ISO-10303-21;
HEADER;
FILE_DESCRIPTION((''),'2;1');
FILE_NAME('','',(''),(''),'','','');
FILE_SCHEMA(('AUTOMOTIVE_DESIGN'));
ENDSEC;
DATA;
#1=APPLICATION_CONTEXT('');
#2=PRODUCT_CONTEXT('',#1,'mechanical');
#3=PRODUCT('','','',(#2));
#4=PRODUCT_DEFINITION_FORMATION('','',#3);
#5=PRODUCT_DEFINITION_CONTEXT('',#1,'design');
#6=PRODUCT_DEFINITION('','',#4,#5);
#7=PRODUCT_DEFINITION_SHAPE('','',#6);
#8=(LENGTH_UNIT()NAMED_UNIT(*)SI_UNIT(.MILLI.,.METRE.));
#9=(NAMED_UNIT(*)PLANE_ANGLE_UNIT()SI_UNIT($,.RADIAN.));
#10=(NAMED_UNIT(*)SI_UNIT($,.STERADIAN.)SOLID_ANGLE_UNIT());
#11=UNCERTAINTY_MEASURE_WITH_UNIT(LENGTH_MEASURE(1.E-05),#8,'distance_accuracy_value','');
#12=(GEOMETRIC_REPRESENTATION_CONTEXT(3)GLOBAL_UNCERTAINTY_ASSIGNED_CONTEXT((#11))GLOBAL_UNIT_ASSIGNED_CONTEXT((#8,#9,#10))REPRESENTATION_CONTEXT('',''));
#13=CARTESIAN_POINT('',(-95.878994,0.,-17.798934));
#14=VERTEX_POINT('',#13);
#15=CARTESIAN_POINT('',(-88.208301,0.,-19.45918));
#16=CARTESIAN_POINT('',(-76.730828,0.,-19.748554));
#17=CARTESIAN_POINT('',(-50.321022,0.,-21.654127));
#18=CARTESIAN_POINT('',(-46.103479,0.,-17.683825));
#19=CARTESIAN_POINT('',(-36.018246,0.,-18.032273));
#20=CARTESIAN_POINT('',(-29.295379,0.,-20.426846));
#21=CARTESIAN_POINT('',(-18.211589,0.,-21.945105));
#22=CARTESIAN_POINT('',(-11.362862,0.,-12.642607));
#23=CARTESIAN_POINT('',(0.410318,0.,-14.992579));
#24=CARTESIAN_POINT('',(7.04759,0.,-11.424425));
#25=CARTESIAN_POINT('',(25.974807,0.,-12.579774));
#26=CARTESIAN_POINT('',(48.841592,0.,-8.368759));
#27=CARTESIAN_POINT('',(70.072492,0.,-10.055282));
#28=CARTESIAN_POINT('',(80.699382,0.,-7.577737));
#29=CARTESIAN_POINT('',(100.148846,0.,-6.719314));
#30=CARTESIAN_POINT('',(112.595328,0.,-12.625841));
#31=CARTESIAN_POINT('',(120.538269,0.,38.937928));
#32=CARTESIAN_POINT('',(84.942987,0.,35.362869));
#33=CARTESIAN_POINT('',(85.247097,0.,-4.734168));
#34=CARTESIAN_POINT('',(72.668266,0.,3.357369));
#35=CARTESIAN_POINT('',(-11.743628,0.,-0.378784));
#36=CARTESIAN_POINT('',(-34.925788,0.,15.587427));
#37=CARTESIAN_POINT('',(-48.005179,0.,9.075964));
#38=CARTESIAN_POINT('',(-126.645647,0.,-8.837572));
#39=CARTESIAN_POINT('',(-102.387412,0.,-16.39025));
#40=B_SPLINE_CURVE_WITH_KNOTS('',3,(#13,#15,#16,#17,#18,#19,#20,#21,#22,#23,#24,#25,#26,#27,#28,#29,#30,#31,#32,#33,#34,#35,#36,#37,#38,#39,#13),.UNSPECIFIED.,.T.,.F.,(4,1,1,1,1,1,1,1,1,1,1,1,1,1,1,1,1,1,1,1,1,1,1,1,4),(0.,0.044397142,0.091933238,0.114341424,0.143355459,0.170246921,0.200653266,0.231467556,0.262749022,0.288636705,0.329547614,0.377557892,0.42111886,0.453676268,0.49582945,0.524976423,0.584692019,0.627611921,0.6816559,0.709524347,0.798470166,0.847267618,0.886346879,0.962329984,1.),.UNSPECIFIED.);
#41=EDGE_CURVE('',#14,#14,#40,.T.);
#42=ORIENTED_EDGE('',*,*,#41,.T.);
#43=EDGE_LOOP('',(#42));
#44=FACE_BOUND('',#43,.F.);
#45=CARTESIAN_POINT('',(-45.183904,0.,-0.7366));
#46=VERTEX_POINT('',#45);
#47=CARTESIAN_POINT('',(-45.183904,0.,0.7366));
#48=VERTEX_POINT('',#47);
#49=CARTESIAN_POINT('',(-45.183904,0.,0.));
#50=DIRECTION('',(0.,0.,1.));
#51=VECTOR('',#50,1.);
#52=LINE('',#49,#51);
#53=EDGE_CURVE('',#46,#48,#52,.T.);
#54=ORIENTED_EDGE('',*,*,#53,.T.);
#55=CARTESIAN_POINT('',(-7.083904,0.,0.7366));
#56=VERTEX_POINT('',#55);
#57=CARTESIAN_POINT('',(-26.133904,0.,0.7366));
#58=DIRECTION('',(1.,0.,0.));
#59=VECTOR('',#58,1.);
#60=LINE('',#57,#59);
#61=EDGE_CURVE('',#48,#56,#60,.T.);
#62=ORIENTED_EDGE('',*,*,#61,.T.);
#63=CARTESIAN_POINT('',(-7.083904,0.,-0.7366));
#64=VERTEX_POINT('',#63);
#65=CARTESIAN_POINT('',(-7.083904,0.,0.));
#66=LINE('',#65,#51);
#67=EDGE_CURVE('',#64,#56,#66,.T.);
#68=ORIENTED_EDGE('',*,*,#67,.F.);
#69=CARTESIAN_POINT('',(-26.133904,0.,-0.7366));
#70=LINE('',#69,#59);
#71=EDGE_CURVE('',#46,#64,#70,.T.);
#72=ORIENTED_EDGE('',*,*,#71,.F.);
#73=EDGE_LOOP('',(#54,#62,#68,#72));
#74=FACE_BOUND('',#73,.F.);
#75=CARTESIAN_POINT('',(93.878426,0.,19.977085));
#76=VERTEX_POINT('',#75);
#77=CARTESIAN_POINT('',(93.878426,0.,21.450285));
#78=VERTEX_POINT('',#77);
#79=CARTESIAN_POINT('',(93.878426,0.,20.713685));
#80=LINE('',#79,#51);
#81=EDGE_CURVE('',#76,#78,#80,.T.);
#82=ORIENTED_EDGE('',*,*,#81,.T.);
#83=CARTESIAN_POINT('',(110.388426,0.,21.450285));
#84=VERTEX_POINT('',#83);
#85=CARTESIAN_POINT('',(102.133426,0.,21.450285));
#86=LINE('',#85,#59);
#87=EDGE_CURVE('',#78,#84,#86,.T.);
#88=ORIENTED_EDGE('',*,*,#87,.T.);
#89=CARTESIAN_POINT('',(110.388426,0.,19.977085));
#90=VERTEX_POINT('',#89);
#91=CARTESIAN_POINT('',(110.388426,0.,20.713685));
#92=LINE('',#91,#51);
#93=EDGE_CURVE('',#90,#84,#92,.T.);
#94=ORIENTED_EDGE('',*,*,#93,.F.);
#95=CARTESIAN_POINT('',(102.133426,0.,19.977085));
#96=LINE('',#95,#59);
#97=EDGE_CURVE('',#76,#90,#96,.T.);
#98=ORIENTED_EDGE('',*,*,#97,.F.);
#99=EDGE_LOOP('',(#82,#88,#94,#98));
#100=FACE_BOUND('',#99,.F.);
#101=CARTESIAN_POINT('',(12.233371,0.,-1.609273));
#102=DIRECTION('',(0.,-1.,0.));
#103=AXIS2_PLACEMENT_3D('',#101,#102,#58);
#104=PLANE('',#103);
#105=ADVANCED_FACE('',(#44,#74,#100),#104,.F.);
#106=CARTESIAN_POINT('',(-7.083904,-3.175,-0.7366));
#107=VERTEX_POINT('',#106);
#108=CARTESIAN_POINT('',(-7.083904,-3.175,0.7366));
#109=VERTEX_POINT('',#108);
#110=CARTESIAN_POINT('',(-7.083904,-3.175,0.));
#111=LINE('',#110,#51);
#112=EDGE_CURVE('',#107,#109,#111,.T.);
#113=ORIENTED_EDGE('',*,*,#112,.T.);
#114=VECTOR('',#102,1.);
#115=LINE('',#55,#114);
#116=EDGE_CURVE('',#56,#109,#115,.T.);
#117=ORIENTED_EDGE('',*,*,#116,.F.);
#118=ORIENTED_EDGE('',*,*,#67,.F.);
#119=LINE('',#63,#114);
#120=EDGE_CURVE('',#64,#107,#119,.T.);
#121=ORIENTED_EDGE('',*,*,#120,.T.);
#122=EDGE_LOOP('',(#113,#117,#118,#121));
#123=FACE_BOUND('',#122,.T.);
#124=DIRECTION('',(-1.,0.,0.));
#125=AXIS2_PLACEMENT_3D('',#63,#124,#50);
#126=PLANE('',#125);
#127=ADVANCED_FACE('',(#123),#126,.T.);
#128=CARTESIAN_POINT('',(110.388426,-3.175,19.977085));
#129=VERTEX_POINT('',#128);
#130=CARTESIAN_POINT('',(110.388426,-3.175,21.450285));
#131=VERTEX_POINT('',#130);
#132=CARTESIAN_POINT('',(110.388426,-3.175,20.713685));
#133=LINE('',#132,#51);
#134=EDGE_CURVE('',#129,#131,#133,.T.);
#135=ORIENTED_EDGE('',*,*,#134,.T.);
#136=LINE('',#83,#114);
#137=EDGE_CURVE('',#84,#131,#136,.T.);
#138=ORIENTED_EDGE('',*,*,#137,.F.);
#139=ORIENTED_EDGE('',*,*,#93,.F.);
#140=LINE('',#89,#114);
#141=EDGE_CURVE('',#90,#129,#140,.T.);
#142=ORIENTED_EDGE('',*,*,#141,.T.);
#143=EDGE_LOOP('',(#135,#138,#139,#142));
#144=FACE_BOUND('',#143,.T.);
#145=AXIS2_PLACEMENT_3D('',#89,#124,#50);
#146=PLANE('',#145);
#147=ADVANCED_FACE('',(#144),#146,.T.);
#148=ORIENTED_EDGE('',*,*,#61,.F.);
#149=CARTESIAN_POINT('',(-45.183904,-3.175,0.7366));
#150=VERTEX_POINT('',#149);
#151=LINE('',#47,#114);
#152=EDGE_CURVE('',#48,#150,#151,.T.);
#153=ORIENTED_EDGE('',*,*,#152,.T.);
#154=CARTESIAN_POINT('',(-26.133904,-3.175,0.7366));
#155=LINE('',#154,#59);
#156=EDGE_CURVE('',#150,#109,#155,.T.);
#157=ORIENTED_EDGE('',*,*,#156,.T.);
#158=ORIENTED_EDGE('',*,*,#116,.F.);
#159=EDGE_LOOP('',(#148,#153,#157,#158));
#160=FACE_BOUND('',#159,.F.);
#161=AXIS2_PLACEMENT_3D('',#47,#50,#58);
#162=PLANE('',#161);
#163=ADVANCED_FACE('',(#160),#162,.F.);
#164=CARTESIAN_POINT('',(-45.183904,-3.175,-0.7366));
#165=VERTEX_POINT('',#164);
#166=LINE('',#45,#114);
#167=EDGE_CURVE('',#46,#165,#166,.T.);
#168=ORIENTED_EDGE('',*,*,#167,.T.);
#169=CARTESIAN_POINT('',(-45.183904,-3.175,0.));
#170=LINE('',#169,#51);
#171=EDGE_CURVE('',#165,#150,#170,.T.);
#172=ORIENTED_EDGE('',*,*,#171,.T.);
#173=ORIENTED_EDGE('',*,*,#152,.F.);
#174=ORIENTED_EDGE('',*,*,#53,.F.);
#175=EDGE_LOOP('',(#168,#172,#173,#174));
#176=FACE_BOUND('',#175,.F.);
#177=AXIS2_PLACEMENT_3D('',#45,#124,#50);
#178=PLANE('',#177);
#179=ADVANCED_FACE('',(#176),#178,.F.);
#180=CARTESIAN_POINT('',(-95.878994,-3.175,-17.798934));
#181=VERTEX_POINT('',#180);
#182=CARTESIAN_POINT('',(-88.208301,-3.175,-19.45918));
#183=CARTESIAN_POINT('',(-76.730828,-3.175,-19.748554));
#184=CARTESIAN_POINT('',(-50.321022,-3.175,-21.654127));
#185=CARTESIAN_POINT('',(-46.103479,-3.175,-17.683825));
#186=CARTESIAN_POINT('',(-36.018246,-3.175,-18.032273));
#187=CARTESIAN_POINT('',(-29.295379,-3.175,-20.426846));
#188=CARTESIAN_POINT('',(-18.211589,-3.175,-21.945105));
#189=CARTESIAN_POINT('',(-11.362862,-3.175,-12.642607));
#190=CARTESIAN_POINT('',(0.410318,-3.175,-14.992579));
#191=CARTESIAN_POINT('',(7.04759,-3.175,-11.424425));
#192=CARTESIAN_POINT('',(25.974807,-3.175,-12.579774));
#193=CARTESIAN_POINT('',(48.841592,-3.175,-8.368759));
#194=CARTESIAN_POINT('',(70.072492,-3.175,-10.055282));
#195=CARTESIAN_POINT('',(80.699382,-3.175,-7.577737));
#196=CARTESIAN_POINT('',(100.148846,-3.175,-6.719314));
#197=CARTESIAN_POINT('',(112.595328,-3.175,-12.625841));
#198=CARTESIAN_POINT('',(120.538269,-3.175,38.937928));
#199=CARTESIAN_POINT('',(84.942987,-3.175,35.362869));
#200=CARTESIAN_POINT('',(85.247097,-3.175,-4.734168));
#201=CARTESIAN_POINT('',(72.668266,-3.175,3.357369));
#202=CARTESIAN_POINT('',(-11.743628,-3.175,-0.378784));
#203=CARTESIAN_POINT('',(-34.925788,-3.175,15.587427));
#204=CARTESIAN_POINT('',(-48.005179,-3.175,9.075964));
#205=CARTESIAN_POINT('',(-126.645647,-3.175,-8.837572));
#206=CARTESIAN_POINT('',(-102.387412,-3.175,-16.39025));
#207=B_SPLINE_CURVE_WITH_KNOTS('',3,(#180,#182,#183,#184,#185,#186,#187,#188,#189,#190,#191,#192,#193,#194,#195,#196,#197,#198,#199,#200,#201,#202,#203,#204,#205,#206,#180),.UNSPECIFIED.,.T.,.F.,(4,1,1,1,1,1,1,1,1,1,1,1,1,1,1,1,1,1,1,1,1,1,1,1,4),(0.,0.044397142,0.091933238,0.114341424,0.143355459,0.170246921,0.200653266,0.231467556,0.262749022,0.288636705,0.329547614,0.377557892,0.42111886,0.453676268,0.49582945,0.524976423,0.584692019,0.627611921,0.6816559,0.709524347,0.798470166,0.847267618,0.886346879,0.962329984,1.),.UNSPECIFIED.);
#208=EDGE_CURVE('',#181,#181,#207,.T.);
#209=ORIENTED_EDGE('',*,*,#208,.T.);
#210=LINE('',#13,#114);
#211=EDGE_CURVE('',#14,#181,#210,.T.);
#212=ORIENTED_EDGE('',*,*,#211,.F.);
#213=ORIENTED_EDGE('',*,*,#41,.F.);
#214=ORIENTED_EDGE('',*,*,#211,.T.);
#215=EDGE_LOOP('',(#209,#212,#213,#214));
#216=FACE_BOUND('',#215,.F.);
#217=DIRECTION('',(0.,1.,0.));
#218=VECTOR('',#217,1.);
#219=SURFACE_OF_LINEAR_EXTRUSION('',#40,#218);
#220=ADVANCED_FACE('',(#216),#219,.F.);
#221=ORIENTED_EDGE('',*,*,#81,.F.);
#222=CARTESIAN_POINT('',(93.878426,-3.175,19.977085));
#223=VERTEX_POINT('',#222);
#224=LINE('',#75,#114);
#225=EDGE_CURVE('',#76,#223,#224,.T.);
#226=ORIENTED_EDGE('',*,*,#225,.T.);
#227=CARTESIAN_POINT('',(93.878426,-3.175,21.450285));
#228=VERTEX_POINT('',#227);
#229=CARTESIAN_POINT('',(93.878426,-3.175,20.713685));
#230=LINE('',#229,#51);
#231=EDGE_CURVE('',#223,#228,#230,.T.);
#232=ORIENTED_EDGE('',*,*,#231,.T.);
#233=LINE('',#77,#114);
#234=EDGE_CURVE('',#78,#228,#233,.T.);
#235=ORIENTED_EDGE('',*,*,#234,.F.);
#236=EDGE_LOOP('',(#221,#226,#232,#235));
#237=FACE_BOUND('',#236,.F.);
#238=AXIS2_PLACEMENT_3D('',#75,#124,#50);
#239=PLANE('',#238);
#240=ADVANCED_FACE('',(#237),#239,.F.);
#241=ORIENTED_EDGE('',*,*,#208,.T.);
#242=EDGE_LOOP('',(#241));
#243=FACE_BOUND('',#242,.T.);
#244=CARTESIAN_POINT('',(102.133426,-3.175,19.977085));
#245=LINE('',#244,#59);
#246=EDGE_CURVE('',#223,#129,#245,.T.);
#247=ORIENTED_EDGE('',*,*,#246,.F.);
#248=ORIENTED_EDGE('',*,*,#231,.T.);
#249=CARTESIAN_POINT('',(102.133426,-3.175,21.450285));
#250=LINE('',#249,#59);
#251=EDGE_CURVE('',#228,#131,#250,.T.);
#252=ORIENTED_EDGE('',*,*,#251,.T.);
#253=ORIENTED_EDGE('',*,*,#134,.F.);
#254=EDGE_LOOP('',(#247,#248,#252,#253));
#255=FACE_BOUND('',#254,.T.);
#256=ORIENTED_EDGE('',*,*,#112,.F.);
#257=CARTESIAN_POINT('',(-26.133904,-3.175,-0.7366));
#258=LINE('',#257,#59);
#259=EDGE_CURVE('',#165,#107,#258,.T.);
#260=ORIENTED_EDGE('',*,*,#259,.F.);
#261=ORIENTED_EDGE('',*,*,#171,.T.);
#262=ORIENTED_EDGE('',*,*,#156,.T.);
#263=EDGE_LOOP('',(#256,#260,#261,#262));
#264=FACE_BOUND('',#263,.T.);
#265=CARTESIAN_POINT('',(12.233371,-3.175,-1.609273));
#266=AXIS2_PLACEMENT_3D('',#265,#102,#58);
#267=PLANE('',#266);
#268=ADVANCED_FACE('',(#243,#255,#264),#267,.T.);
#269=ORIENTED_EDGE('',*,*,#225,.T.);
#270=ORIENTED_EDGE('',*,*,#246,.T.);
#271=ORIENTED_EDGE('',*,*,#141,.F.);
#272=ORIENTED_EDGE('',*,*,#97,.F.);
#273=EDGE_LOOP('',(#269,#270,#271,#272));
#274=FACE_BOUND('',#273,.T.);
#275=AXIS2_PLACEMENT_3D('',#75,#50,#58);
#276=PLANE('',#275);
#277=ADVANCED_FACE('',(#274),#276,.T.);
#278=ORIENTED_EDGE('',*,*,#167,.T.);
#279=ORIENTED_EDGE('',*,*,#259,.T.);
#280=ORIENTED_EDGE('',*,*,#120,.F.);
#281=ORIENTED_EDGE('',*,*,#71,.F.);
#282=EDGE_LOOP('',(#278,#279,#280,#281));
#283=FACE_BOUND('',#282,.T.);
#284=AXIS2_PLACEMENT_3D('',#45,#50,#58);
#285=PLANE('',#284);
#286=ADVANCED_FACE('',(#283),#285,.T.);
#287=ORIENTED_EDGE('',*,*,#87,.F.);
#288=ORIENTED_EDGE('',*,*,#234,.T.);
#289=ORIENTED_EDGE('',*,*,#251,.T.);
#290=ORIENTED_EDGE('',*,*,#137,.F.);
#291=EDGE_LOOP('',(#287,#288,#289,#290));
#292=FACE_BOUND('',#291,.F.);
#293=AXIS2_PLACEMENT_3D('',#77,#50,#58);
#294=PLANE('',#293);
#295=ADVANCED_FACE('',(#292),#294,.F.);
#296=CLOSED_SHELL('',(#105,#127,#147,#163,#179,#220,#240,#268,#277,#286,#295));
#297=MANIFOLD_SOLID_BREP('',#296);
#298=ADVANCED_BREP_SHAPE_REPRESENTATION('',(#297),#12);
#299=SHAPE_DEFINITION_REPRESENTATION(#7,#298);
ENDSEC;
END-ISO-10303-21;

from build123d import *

# Parameters (mm, degrees)
F0_W     = 38.1
F0_H     = 1.4732
F0_W_2   = 16.51
F1_DEPTH = 3.175


with BuildPart() as f1:
    # F0 (on Front) → F1 (new body)
    with BuildSketch(Plane.XZ):
        with BuildLine():
            add(Edge.make_bspline(
                [(-95.8789940291, -17.7989335942), (-88.2083005241, -19.4591799862), (-76.7308278889, -19.7485540794), (-50.3210223847, -21.6541268348), (-46.1034789861, -17.6838253002), (-36.0182455959, -18.0322733491), (-29.2953794347, -20.4268464079), (-18.2115889807, -21.9451048679), (-11.3628619059, -12.6426069021), (0.4103184182, -14.9925791357), (7.0475897195, -11.4244245279), (25.9748070987, -12.5797742757), (48.8415920377, -8.3687594962), (70.0724917401, -10.0552821163), (80.6993824359, -7.5777373183), (100.148846367, -6.7193144488), (112.5953280133, -12.6258405921), (120.5382687393, 38.9379284037), (84.9429866843, 35.3628691851), (85.247096697, -4.7341676424), (72.6682658291, 3.3573692171), (-11.7436279037, -0.378784143), (-34.9257878398, 15.5874269114), (-48.0051793916, 9.0759636035), (-126.6456473349, -8.8375723515), (-102.3874116505, -16.3902504203), (-95.8789940291, -17.7989335942)],
                knots=[0, 0, 0, 0, 0.0443971423, 0.0919332384, 0.114341424, 0.1433554585, 0.1702469211, 0.200653266, 0.2314675563, 0.2627490222, 0.2886367055, 0.3295476135, 0.3775578923, 0.42111886, 0.4536762676, 0.4958294502, 0.5249764227, 0.5846920191, 0.6276119212, 0.6816558997, 0.7095243472, 0.7984701655, 0.847267618, 0.8863468788, 0.9623299845, 1, 1, 1, 1], degree=3))
        make_face()
        with Locations((-26.1339042336, 0)):
            Rectangle(F0_W, F0_H, mode=Mode.SUBTRACT)
        with Locations((102.1334256577, 20.7136852923)):
            Rectangle(F0_W_2, F0_H, mode=Mode.SUBTRACT)
    extrude(amount=F1_DEPTH)


solid = f1.part
